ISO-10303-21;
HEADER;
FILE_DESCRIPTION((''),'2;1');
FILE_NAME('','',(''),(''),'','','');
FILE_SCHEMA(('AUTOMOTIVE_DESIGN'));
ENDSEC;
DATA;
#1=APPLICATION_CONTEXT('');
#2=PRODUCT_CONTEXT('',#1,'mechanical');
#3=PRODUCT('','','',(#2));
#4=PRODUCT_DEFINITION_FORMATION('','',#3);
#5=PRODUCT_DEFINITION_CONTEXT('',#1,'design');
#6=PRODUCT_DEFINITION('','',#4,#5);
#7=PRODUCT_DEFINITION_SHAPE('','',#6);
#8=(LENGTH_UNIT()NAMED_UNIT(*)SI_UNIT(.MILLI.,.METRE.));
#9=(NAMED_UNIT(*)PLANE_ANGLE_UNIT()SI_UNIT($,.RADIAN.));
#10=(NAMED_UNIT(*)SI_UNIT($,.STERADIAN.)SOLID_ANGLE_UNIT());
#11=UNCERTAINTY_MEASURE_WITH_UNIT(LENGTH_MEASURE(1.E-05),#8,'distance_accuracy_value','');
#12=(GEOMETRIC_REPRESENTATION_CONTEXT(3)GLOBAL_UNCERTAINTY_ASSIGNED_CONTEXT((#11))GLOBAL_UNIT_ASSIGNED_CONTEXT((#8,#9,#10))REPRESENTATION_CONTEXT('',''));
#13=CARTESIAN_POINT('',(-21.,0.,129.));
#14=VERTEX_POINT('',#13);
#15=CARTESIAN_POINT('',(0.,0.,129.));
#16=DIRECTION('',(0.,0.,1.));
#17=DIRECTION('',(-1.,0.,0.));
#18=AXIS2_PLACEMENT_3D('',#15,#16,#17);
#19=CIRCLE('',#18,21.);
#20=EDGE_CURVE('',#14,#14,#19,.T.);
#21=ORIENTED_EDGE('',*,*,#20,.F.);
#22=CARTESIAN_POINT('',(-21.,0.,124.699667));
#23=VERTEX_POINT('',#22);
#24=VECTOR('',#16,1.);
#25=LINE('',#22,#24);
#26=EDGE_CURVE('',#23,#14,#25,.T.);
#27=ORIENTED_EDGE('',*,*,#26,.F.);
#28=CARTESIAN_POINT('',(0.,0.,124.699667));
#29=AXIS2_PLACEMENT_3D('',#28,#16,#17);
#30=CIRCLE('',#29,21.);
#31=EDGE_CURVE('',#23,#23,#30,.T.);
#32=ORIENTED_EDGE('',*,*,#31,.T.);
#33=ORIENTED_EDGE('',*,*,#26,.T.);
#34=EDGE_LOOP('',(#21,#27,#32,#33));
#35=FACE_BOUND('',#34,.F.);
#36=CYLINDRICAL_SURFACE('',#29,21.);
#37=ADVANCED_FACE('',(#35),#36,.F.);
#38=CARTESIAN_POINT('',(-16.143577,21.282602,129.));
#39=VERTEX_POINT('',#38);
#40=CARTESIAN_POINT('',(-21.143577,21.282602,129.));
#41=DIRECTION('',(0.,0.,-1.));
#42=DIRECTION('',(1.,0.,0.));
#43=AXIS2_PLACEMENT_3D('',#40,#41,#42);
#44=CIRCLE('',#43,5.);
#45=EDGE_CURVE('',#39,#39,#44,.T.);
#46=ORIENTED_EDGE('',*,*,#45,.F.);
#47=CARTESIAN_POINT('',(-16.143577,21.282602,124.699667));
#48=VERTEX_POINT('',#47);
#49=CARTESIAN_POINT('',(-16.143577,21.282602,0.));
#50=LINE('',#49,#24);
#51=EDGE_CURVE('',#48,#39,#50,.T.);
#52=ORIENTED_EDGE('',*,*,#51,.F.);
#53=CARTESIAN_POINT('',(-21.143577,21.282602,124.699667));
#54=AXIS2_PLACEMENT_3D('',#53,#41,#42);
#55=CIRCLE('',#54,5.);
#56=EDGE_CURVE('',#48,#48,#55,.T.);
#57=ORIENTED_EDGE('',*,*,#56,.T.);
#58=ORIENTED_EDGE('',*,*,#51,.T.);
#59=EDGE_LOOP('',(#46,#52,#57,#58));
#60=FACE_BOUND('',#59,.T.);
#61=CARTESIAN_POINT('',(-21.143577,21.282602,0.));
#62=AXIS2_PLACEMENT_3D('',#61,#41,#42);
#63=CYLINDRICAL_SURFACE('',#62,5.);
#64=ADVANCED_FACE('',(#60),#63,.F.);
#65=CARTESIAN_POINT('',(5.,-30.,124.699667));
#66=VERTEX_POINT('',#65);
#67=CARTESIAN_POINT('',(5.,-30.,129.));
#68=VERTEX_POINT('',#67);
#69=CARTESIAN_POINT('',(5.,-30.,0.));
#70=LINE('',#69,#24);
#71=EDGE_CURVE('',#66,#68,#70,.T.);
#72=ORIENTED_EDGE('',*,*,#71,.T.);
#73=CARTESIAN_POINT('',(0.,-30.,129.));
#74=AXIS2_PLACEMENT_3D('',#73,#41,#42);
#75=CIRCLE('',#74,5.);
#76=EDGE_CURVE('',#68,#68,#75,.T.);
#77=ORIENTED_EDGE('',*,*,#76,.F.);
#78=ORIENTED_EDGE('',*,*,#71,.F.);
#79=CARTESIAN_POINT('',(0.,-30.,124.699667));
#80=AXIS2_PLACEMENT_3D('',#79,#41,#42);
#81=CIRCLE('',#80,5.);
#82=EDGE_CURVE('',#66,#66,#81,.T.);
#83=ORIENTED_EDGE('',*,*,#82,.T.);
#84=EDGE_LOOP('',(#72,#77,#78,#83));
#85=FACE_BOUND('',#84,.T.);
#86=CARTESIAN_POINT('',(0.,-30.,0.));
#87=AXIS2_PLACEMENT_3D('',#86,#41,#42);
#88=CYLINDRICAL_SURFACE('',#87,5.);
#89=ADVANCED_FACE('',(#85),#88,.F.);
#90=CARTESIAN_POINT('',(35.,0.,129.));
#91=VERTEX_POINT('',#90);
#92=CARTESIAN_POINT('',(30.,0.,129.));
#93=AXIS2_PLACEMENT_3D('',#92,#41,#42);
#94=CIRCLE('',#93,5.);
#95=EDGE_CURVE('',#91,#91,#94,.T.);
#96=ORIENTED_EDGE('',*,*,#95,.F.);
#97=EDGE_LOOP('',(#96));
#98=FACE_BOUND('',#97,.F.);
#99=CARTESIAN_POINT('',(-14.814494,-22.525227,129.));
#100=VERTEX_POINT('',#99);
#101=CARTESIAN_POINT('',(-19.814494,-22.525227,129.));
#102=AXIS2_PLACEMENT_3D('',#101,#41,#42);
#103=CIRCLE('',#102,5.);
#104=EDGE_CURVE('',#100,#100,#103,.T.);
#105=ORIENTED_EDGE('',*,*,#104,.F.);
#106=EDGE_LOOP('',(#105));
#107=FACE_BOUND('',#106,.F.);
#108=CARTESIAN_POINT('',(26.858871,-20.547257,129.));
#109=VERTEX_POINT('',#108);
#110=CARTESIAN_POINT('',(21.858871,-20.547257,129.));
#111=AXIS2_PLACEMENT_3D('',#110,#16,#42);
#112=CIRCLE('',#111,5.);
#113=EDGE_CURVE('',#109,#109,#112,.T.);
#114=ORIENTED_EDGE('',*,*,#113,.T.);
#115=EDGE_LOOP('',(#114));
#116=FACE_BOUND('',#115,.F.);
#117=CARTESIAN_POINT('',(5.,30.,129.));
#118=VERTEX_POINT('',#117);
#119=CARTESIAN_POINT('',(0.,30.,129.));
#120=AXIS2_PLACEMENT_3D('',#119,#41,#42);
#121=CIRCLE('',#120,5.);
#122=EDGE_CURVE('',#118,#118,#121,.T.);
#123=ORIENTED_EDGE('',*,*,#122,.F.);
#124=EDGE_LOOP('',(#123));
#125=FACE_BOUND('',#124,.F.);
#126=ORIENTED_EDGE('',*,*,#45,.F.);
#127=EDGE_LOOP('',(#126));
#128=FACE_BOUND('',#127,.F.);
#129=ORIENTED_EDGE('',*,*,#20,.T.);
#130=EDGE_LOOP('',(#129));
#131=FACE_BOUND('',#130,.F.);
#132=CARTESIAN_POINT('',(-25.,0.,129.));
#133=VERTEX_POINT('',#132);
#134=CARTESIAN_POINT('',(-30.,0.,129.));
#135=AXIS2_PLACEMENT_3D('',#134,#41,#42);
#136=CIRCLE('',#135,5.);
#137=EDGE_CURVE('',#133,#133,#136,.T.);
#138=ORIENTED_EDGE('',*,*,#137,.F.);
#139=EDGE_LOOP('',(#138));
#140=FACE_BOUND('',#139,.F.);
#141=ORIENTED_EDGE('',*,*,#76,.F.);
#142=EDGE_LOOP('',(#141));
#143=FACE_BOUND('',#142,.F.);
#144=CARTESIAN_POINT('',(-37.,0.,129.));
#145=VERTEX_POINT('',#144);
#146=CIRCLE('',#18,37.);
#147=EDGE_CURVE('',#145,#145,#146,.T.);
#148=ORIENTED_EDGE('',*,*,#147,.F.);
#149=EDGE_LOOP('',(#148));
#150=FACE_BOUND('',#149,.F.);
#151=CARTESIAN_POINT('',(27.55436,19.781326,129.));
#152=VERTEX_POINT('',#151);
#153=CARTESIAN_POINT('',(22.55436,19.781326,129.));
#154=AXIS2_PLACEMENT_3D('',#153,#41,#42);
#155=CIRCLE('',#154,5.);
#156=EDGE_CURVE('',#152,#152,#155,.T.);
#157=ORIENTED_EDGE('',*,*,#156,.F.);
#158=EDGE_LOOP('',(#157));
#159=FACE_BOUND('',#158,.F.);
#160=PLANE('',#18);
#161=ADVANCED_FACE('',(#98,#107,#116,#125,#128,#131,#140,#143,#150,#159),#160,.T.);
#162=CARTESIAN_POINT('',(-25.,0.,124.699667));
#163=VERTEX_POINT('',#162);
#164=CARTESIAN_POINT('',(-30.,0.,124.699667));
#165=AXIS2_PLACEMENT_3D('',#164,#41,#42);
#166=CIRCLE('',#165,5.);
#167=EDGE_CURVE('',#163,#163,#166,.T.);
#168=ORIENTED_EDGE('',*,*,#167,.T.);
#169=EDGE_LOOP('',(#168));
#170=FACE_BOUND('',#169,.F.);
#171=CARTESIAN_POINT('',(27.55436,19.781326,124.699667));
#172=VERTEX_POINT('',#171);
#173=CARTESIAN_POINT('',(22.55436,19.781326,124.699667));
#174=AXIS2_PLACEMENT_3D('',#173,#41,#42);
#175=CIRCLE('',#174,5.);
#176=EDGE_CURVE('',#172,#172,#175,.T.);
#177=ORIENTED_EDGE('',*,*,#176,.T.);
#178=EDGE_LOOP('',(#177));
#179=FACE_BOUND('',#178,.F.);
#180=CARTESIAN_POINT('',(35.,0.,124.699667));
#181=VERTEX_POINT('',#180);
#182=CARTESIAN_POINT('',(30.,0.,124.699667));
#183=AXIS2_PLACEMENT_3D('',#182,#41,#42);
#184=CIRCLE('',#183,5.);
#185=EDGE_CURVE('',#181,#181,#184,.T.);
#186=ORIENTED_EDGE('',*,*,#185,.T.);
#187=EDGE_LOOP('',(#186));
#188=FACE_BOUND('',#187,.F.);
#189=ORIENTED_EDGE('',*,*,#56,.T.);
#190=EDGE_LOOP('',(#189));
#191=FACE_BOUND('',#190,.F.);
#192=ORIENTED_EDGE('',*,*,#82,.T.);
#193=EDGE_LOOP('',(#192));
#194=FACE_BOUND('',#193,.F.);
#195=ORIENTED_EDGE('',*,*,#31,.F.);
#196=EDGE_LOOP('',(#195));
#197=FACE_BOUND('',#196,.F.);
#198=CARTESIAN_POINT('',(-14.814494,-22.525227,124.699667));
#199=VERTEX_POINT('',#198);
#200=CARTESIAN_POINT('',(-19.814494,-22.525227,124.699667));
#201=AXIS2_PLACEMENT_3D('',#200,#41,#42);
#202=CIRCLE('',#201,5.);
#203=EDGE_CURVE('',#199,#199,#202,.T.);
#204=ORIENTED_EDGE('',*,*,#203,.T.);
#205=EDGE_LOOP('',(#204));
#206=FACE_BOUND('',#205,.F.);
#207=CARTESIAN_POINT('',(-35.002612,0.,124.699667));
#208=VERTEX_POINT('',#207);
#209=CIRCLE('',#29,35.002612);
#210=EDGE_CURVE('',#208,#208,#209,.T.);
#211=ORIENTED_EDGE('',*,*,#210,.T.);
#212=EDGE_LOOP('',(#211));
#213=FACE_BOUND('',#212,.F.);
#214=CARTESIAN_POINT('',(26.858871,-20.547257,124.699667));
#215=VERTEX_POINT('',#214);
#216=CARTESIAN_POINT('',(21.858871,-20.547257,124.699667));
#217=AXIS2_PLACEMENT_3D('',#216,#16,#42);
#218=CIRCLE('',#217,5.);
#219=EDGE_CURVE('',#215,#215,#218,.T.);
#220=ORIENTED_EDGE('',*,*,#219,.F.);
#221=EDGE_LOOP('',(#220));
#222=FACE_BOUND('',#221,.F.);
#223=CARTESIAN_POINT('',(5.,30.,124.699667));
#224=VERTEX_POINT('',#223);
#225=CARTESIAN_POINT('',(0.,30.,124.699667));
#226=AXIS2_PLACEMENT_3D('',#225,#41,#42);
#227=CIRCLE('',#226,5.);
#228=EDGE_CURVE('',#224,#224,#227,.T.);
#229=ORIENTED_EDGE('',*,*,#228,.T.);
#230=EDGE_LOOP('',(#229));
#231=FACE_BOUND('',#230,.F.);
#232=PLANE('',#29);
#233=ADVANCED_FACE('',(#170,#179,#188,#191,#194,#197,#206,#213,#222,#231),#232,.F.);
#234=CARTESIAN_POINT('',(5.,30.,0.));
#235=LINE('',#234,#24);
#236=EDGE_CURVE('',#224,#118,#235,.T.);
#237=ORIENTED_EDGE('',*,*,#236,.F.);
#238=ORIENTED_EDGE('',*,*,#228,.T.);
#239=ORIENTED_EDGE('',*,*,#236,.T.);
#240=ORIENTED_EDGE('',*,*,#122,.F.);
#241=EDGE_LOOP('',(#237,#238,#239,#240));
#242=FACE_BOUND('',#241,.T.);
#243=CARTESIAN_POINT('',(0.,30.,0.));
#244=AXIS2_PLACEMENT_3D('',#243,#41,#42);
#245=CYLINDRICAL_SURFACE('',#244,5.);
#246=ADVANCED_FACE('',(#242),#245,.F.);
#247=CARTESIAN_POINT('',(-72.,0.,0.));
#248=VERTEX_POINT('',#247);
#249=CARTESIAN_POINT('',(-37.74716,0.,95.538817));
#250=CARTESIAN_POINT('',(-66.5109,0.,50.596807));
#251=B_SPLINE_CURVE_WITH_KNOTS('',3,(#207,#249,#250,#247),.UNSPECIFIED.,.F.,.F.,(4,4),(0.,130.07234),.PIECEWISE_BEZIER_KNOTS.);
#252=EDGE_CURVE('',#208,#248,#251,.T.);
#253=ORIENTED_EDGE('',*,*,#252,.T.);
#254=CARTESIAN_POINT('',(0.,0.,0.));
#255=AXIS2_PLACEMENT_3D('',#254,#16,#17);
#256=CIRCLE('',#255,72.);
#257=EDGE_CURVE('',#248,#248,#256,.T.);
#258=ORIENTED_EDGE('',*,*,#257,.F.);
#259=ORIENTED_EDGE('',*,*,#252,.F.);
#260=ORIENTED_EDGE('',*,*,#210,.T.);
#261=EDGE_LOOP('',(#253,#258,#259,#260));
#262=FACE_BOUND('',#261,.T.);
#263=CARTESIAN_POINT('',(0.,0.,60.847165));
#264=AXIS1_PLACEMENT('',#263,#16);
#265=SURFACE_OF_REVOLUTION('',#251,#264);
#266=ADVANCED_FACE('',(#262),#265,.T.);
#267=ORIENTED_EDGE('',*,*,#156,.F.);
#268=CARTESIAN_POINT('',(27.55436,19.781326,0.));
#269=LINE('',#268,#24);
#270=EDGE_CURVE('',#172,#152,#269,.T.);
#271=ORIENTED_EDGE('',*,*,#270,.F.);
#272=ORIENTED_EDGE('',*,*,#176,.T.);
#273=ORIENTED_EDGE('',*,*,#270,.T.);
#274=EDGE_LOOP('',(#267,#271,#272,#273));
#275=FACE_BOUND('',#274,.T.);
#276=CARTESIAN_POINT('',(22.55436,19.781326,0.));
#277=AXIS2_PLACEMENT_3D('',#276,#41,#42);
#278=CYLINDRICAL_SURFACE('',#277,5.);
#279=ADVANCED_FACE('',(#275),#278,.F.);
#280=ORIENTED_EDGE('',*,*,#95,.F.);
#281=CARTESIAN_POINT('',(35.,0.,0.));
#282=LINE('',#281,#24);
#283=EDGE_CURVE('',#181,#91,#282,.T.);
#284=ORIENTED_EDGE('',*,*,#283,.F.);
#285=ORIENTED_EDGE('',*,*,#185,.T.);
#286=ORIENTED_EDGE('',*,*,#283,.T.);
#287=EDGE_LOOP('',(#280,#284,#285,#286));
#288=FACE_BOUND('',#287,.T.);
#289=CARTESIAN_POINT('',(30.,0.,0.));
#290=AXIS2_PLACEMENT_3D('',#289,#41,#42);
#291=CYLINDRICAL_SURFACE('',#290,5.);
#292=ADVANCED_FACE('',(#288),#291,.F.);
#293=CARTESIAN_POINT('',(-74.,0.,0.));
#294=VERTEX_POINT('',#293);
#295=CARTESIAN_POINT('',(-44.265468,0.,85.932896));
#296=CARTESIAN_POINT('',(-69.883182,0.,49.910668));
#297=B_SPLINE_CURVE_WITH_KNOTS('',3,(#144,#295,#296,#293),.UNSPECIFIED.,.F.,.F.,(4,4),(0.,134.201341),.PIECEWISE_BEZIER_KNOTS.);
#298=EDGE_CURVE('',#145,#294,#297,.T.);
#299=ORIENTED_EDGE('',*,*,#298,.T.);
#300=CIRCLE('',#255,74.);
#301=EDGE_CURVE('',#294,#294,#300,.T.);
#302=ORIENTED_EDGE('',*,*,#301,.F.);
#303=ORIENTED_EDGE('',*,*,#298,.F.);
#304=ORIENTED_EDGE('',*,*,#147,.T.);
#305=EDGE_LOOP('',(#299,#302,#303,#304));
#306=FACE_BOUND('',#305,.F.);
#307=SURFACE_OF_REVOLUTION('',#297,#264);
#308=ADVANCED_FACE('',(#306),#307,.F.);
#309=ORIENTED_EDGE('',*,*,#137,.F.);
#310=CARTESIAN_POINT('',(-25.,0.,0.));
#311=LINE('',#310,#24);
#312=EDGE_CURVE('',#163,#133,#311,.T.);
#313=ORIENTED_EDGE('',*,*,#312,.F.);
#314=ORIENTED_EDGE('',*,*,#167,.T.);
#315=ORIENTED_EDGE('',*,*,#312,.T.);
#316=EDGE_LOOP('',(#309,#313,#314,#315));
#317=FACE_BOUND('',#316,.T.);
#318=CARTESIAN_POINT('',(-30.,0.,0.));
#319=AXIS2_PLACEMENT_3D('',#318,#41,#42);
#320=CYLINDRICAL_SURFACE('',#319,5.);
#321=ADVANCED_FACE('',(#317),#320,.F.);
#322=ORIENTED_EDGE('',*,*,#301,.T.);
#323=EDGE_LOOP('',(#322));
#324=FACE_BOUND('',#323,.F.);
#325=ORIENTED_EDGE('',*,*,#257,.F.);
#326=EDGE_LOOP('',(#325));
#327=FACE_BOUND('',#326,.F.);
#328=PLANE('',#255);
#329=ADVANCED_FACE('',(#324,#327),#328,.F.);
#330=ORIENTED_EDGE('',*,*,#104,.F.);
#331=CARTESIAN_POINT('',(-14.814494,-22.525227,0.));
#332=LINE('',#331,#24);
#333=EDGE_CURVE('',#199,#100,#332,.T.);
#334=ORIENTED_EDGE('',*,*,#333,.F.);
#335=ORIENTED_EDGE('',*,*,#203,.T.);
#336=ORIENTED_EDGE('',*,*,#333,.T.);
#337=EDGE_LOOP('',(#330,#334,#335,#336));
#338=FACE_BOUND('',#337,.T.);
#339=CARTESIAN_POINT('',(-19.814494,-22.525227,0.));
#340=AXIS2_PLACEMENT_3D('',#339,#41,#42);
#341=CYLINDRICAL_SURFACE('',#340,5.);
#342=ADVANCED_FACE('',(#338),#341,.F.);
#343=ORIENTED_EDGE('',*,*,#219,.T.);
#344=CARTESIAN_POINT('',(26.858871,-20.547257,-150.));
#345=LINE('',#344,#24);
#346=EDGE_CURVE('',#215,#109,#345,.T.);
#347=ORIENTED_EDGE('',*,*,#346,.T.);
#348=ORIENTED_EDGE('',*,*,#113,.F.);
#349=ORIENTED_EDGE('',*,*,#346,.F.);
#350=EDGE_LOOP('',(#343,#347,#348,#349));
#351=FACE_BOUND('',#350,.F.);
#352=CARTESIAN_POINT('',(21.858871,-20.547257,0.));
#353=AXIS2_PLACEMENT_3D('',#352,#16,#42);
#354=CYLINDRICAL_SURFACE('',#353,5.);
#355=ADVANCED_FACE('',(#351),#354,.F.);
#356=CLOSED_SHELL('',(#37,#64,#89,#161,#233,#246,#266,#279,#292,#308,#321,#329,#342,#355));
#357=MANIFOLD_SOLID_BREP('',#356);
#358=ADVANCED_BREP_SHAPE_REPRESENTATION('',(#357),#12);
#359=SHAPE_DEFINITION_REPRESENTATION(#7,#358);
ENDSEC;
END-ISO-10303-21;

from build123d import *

# Parameters (mm, degrees)
F1_R     = 5
F3_DEPTH = 150


with BuildPart() as f2:
    # F0 (on Front) → F2 (revolve)
    with BuildSketch(Plane.XZ):
        with BuildLine():
            Line((-21, 129), (-37, 129))
            add(Edge.make_bspline(
                [(-37, 129), (-44.265468, 85.932896), (-69.883182, 49.910668), (-74, 0)],
                knots=[0, 0, 0, 0, 134.201341, 134.201341, 134.201341, 134.201341], degree=3))
            Line((-74, 0), (-72, 0))
            add(Edge.make_bspline(
                [(-35.002612, 124.699667), (-37.74716, 95.538817), (-66.5109, 50.596807), (-72, 0)],
                knots=[0, 0, 0, 0, 130.07234, 130.07234, 130.07234, 130.07234], degree=3))
            Line((-35.002612, 124.699667), (-21, 124.699667))
            Line((-21, 124.699667), (-21, 129))
        make_face()
    revolve(axis=Axis((0, 0, 60.847165), (0, 0, 1)))

    # F1 (on Top) → F3 (cut, symmetric)
    with BuildSketch(Plane.XY):
        with Locations((0, 30)):
            Circle(F1_R)
        with Locations((-30, 0)):
            Circle(F1_R)
        with Locations((0, -30)):
            Circle(F1_R)
        with Locations((30, 0)):
            Circle(F1_R)
        with Locations((-19.814494, -22.525227)):
            Circle(F1_R)
        with Locations((22.55436, 19.781326)):
            Circle(F1_R)
        with Locations((-21.143577, 21.282602)):
            Circle(F1_R)
        with Locations((21.858871, -20.547257)):
            Circle(F1_R)
    extrude(amount=F3_DEPTH, both=True, mode=Mode.SUBTRACT)


solid = f2.part
